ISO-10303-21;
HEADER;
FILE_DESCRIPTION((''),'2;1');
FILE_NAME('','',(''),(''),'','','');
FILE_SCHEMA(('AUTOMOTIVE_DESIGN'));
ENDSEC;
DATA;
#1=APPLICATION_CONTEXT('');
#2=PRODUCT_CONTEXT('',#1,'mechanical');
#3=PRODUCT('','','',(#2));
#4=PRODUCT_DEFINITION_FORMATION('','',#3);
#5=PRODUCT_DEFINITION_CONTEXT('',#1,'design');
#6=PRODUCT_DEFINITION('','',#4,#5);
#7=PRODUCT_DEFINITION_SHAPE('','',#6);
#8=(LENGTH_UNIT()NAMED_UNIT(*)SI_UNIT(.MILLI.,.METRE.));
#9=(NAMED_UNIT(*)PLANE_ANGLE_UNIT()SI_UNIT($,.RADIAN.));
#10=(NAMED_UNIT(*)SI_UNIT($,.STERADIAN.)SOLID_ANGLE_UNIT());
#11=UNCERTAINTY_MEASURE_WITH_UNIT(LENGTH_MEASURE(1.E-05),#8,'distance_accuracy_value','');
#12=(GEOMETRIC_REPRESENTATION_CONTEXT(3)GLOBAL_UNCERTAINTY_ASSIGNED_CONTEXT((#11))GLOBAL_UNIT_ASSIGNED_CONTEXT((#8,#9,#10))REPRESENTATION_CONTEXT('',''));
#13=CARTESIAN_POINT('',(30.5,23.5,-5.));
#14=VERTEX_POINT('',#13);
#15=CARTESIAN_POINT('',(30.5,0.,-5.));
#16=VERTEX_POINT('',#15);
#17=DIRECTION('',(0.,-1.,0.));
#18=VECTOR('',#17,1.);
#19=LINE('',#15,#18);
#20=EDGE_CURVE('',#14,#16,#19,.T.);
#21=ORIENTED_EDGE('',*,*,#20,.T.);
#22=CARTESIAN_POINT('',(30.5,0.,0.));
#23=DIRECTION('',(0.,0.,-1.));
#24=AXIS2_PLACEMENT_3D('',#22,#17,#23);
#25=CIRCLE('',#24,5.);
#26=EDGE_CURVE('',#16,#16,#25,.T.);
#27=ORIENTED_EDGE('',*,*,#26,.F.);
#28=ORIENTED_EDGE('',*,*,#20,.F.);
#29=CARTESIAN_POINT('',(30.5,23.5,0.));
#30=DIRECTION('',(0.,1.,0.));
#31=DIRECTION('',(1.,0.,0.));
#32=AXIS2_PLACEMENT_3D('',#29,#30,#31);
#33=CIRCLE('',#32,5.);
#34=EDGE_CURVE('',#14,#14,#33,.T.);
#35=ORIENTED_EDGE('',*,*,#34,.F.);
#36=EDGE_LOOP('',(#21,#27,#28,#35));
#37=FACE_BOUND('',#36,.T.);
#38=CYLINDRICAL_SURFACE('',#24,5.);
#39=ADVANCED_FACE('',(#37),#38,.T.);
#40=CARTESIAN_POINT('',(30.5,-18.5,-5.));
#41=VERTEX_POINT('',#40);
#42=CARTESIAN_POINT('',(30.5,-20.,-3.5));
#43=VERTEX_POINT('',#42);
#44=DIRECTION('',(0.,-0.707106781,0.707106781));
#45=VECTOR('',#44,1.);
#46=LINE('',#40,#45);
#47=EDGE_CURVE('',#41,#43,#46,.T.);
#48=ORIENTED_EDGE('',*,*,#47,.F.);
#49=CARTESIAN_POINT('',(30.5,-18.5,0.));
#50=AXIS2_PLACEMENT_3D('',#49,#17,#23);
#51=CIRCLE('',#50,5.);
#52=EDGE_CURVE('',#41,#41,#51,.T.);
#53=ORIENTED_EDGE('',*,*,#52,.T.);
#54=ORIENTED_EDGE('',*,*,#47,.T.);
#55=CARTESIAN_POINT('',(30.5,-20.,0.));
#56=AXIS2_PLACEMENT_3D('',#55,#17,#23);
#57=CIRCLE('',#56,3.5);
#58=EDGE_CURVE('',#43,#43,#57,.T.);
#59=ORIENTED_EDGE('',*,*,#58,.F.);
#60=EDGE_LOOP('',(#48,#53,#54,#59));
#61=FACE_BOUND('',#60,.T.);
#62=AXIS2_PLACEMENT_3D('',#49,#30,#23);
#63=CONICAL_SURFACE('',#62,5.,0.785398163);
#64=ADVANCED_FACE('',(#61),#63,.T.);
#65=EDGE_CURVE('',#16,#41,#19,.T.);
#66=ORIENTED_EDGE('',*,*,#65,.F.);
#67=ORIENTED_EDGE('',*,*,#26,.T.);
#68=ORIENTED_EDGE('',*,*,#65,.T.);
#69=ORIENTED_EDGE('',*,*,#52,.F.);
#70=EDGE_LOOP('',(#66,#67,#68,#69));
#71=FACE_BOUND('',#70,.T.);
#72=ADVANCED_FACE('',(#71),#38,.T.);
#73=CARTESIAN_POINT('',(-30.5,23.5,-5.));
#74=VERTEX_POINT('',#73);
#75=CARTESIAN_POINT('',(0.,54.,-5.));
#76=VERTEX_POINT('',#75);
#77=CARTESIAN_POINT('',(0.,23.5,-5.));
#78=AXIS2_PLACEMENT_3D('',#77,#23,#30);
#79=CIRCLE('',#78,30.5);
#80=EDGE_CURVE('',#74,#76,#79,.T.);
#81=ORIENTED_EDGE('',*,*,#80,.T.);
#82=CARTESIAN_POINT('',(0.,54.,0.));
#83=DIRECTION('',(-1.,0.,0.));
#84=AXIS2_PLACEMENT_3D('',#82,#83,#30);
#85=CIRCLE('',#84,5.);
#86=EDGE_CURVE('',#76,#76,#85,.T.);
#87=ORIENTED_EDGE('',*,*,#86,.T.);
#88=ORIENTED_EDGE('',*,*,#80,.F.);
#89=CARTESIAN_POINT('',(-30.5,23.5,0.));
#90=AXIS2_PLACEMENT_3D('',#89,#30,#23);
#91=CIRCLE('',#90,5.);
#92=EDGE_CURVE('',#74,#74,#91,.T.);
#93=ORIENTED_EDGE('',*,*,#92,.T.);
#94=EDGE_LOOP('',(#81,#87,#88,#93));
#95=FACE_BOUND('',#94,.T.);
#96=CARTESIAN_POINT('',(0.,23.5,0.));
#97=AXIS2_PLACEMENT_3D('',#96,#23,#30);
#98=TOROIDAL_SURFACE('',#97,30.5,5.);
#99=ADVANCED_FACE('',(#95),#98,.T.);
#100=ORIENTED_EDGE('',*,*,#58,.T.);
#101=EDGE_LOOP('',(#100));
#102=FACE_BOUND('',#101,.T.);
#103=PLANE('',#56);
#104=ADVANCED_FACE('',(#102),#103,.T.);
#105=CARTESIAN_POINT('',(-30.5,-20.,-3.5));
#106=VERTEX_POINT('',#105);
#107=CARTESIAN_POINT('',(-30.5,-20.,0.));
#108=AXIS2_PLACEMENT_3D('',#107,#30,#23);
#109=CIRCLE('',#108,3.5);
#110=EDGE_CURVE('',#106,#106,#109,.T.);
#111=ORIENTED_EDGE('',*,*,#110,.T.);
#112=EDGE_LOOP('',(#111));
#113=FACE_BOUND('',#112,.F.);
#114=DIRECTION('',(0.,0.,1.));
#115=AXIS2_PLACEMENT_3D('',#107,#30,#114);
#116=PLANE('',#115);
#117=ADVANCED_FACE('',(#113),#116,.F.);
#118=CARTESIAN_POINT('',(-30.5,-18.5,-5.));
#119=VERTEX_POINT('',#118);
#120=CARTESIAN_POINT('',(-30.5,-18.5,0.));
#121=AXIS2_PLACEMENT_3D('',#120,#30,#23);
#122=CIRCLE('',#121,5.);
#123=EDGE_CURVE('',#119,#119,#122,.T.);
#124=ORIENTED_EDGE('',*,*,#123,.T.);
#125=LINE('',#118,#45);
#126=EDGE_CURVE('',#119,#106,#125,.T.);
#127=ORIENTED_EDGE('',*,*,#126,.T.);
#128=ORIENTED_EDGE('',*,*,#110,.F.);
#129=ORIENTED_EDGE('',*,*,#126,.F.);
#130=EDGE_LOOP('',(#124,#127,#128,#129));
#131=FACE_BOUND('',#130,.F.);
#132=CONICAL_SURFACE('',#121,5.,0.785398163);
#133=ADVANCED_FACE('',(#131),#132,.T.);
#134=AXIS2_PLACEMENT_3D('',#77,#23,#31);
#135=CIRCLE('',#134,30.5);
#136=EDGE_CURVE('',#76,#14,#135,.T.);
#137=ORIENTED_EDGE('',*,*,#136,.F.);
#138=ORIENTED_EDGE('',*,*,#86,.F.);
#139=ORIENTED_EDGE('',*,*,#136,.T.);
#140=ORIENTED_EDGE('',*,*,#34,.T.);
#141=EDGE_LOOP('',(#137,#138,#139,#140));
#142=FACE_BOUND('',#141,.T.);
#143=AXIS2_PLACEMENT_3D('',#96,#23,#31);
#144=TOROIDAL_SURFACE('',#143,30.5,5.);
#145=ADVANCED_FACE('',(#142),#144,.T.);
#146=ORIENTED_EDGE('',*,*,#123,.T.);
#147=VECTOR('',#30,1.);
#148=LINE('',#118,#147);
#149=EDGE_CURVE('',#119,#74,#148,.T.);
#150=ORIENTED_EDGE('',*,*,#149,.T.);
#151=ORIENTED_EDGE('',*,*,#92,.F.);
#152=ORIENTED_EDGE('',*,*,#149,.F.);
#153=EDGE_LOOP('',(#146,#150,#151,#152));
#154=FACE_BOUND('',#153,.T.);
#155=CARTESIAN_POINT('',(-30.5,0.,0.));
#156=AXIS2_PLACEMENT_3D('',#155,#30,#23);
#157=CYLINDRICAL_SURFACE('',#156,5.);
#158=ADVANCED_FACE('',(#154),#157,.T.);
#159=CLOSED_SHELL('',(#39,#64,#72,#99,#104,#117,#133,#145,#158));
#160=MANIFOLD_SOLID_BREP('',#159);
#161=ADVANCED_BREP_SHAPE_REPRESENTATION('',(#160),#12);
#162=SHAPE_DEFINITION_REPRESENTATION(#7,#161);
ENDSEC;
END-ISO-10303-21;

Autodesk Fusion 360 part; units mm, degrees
sketch "Sketch1" plane through (0, 0, 0) normal (0, 0, 1) x (1, 0, 0)
  line L0 (0, 0) -> (-100, 0) construction
  line L1 (0, 0) -> (100, 0) construction
  line L2 (0, 0) -> (0, 100) construction
  line L3 (0, 0) -> (0, -100) construction
  circle A0 centre (0, 24.5) radius 24.5 construction
  line L4 (30.5, 0) -> (30.5, -100) construction
  line L5 (30.5, 0) -> (30.5, 100) construction
  line L6 (-30.5, 0) -> (-30.5, -100) construction
  line L7 (-30.5, 0) -> (-30.5, 100) construction
  line L8 (0, 49) -> (0, 54) construction
  line L9 (25.5, 0) -> (25.5, 23.5)
  line L10 (-25.5, 0) -> (-25.5, 23.5)
  line L11 (0, 49) -> (0, 49)
  line L12 (0, 49) -> (0, 49)
  arc A1 (0, 49) -> (-25.5, 23.5) centre (0, 23.5) ccw
  arc A2 (25.5, 23.5) -> (0, 49) centre (0, 23.5) ccw
  line L13 (-25.5, 0) -> (-25.5, -20)
  line L14 (25.5, 0) -> (25.5, -20)
  dimension "d5" = 49
  dimension "d6" = 30.5
  dimension "d7" = 30.5
  dimension "d11" = 25.5
  dimension "d12" = 25.5
  dimension "d13" = 20
  dimension "d14" = 20
sketch "Sketch2" plane through (0, 0, 0) normal (1, 0, 0) x (0, 0, -1)
  circle A0 centre (0, 54) radius 5
  point P0 (0, 49)
  dimension "d15" = 10
sweep "Sweep1" add profiles "Sketch2" path "Sketch1" along L14 L9 A2 A1 L10 L13 section 1
chamfer "Chamfer1" distance 1.5 angle 45 2 edges at (-32.3081, -20, 4.6616) (28.6919, -20, 4.6616)
thread "Thread1"
thread "Thread2"
